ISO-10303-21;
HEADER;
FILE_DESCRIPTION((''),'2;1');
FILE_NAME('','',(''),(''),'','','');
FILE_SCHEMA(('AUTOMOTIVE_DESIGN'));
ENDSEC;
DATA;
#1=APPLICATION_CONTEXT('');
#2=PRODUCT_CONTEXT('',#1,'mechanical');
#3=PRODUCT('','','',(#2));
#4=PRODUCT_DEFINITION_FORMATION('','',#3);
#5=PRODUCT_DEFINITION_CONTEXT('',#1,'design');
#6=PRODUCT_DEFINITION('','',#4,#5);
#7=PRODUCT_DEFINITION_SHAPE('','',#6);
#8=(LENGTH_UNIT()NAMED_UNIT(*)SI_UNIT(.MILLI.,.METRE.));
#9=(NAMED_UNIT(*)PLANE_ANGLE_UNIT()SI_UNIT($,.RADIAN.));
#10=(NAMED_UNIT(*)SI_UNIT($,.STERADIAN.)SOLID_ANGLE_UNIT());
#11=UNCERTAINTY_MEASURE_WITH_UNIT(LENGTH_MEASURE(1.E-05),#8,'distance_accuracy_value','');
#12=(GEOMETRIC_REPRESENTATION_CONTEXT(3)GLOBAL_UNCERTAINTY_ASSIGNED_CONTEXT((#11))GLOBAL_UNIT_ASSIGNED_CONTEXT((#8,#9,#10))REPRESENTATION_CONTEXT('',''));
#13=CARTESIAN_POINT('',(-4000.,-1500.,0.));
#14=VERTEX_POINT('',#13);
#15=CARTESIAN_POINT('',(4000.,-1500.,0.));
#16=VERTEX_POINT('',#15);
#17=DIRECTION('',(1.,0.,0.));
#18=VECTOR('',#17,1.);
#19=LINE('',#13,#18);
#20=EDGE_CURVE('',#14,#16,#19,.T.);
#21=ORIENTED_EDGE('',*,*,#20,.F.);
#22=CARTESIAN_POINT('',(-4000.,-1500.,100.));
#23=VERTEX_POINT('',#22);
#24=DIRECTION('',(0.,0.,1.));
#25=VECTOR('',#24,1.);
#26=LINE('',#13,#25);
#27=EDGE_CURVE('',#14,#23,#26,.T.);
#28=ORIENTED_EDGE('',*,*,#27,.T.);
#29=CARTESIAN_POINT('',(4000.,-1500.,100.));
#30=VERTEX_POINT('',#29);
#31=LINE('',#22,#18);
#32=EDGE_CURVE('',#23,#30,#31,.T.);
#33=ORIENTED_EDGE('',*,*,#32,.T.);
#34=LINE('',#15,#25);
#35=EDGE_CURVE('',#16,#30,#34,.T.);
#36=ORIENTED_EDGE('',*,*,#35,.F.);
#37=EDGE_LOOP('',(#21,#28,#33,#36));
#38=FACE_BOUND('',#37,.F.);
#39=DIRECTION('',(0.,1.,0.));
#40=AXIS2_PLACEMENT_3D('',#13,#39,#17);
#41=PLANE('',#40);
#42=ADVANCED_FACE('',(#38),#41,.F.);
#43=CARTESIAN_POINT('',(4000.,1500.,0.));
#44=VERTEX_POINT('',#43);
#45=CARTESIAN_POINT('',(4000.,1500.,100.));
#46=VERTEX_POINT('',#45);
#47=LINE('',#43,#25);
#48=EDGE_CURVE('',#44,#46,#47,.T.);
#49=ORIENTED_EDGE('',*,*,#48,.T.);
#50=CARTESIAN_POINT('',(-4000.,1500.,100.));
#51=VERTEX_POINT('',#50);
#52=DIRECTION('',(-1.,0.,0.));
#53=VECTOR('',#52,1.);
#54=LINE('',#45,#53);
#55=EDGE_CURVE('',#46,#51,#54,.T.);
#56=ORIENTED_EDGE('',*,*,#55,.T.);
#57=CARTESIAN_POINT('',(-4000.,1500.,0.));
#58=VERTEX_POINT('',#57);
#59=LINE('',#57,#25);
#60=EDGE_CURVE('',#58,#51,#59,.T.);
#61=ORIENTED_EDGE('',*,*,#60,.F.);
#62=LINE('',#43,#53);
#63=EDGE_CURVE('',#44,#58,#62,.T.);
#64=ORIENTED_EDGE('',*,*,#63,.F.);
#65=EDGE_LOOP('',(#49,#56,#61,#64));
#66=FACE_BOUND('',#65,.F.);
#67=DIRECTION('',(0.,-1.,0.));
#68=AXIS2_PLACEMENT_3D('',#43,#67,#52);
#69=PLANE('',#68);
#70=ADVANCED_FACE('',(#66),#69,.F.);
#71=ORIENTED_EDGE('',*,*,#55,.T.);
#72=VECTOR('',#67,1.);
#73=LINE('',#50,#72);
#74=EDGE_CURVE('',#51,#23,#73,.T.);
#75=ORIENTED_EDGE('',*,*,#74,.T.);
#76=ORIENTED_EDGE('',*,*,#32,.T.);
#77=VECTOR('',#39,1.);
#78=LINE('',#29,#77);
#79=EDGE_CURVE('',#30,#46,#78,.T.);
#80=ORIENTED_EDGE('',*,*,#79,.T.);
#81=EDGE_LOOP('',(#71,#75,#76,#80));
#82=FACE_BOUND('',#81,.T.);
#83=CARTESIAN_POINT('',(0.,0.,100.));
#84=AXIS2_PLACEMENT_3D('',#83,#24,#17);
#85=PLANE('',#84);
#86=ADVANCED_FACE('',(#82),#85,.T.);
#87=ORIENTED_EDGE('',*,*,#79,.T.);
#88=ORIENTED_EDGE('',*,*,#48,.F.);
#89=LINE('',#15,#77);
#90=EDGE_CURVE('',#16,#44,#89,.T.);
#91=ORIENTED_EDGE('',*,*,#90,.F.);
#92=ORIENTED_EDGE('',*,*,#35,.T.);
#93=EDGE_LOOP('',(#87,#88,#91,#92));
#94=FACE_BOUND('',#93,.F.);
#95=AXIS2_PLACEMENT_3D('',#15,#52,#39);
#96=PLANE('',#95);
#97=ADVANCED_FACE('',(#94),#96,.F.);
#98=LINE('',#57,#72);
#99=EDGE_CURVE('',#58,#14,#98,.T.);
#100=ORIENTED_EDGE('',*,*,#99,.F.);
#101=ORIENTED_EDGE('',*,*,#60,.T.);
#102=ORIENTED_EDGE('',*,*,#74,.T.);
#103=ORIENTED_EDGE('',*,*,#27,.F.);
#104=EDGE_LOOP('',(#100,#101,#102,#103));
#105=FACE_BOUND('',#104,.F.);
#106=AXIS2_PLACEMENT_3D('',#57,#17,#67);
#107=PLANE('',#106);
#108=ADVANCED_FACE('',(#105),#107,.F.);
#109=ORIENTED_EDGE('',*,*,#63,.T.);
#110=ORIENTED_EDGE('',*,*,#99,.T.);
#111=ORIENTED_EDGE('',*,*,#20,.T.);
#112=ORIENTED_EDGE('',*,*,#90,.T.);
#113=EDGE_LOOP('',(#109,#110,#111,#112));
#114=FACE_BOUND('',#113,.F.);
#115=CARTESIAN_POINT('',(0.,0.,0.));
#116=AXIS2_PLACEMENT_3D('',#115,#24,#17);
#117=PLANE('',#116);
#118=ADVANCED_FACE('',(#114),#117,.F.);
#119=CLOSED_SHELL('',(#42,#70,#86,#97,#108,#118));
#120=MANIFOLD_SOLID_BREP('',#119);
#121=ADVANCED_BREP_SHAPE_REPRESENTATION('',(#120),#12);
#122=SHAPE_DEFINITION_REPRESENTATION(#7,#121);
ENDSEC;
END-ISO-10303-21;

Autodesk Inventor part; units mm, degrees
ref_plane "YZ Plane" through (0, 0, 0) normal (1, 0, 0) x (0, 1, 0)
ref_plane "XZ Plane" through (0, 0, 0) normal (0, 1, 0) x (-1, 0, 0)
ref_plane "XY Plane" through (0, 0, 0) normal (0, 0, 1) x (1, 0, 0)
sketch "Sketch1" plane through (0, 0, 0) normal (0, 0, 1) x (1, 0, 0)
  line L0 (-4000, -1500) -> (4000, -1500)
  line L1 (4000, -1500) -> (4000, 1500)
  line L2 (4000, 1500) -> (-4000, 1500)
  line L3 (-4000, 1500) -> (-4000, -1500)
  line L4 (-4000, -1500) -> (4000, 1500) construction
  line L5 (4000, -1500) -> (-4000, 1500) construction
  point P0 (0, 0)
  dimension "d0" = 8000
  dimension "d1" = 3000
extrude "Extrusion1" add sketch "Sketch1" along normal blind 100
properties part number "solarpanel"
